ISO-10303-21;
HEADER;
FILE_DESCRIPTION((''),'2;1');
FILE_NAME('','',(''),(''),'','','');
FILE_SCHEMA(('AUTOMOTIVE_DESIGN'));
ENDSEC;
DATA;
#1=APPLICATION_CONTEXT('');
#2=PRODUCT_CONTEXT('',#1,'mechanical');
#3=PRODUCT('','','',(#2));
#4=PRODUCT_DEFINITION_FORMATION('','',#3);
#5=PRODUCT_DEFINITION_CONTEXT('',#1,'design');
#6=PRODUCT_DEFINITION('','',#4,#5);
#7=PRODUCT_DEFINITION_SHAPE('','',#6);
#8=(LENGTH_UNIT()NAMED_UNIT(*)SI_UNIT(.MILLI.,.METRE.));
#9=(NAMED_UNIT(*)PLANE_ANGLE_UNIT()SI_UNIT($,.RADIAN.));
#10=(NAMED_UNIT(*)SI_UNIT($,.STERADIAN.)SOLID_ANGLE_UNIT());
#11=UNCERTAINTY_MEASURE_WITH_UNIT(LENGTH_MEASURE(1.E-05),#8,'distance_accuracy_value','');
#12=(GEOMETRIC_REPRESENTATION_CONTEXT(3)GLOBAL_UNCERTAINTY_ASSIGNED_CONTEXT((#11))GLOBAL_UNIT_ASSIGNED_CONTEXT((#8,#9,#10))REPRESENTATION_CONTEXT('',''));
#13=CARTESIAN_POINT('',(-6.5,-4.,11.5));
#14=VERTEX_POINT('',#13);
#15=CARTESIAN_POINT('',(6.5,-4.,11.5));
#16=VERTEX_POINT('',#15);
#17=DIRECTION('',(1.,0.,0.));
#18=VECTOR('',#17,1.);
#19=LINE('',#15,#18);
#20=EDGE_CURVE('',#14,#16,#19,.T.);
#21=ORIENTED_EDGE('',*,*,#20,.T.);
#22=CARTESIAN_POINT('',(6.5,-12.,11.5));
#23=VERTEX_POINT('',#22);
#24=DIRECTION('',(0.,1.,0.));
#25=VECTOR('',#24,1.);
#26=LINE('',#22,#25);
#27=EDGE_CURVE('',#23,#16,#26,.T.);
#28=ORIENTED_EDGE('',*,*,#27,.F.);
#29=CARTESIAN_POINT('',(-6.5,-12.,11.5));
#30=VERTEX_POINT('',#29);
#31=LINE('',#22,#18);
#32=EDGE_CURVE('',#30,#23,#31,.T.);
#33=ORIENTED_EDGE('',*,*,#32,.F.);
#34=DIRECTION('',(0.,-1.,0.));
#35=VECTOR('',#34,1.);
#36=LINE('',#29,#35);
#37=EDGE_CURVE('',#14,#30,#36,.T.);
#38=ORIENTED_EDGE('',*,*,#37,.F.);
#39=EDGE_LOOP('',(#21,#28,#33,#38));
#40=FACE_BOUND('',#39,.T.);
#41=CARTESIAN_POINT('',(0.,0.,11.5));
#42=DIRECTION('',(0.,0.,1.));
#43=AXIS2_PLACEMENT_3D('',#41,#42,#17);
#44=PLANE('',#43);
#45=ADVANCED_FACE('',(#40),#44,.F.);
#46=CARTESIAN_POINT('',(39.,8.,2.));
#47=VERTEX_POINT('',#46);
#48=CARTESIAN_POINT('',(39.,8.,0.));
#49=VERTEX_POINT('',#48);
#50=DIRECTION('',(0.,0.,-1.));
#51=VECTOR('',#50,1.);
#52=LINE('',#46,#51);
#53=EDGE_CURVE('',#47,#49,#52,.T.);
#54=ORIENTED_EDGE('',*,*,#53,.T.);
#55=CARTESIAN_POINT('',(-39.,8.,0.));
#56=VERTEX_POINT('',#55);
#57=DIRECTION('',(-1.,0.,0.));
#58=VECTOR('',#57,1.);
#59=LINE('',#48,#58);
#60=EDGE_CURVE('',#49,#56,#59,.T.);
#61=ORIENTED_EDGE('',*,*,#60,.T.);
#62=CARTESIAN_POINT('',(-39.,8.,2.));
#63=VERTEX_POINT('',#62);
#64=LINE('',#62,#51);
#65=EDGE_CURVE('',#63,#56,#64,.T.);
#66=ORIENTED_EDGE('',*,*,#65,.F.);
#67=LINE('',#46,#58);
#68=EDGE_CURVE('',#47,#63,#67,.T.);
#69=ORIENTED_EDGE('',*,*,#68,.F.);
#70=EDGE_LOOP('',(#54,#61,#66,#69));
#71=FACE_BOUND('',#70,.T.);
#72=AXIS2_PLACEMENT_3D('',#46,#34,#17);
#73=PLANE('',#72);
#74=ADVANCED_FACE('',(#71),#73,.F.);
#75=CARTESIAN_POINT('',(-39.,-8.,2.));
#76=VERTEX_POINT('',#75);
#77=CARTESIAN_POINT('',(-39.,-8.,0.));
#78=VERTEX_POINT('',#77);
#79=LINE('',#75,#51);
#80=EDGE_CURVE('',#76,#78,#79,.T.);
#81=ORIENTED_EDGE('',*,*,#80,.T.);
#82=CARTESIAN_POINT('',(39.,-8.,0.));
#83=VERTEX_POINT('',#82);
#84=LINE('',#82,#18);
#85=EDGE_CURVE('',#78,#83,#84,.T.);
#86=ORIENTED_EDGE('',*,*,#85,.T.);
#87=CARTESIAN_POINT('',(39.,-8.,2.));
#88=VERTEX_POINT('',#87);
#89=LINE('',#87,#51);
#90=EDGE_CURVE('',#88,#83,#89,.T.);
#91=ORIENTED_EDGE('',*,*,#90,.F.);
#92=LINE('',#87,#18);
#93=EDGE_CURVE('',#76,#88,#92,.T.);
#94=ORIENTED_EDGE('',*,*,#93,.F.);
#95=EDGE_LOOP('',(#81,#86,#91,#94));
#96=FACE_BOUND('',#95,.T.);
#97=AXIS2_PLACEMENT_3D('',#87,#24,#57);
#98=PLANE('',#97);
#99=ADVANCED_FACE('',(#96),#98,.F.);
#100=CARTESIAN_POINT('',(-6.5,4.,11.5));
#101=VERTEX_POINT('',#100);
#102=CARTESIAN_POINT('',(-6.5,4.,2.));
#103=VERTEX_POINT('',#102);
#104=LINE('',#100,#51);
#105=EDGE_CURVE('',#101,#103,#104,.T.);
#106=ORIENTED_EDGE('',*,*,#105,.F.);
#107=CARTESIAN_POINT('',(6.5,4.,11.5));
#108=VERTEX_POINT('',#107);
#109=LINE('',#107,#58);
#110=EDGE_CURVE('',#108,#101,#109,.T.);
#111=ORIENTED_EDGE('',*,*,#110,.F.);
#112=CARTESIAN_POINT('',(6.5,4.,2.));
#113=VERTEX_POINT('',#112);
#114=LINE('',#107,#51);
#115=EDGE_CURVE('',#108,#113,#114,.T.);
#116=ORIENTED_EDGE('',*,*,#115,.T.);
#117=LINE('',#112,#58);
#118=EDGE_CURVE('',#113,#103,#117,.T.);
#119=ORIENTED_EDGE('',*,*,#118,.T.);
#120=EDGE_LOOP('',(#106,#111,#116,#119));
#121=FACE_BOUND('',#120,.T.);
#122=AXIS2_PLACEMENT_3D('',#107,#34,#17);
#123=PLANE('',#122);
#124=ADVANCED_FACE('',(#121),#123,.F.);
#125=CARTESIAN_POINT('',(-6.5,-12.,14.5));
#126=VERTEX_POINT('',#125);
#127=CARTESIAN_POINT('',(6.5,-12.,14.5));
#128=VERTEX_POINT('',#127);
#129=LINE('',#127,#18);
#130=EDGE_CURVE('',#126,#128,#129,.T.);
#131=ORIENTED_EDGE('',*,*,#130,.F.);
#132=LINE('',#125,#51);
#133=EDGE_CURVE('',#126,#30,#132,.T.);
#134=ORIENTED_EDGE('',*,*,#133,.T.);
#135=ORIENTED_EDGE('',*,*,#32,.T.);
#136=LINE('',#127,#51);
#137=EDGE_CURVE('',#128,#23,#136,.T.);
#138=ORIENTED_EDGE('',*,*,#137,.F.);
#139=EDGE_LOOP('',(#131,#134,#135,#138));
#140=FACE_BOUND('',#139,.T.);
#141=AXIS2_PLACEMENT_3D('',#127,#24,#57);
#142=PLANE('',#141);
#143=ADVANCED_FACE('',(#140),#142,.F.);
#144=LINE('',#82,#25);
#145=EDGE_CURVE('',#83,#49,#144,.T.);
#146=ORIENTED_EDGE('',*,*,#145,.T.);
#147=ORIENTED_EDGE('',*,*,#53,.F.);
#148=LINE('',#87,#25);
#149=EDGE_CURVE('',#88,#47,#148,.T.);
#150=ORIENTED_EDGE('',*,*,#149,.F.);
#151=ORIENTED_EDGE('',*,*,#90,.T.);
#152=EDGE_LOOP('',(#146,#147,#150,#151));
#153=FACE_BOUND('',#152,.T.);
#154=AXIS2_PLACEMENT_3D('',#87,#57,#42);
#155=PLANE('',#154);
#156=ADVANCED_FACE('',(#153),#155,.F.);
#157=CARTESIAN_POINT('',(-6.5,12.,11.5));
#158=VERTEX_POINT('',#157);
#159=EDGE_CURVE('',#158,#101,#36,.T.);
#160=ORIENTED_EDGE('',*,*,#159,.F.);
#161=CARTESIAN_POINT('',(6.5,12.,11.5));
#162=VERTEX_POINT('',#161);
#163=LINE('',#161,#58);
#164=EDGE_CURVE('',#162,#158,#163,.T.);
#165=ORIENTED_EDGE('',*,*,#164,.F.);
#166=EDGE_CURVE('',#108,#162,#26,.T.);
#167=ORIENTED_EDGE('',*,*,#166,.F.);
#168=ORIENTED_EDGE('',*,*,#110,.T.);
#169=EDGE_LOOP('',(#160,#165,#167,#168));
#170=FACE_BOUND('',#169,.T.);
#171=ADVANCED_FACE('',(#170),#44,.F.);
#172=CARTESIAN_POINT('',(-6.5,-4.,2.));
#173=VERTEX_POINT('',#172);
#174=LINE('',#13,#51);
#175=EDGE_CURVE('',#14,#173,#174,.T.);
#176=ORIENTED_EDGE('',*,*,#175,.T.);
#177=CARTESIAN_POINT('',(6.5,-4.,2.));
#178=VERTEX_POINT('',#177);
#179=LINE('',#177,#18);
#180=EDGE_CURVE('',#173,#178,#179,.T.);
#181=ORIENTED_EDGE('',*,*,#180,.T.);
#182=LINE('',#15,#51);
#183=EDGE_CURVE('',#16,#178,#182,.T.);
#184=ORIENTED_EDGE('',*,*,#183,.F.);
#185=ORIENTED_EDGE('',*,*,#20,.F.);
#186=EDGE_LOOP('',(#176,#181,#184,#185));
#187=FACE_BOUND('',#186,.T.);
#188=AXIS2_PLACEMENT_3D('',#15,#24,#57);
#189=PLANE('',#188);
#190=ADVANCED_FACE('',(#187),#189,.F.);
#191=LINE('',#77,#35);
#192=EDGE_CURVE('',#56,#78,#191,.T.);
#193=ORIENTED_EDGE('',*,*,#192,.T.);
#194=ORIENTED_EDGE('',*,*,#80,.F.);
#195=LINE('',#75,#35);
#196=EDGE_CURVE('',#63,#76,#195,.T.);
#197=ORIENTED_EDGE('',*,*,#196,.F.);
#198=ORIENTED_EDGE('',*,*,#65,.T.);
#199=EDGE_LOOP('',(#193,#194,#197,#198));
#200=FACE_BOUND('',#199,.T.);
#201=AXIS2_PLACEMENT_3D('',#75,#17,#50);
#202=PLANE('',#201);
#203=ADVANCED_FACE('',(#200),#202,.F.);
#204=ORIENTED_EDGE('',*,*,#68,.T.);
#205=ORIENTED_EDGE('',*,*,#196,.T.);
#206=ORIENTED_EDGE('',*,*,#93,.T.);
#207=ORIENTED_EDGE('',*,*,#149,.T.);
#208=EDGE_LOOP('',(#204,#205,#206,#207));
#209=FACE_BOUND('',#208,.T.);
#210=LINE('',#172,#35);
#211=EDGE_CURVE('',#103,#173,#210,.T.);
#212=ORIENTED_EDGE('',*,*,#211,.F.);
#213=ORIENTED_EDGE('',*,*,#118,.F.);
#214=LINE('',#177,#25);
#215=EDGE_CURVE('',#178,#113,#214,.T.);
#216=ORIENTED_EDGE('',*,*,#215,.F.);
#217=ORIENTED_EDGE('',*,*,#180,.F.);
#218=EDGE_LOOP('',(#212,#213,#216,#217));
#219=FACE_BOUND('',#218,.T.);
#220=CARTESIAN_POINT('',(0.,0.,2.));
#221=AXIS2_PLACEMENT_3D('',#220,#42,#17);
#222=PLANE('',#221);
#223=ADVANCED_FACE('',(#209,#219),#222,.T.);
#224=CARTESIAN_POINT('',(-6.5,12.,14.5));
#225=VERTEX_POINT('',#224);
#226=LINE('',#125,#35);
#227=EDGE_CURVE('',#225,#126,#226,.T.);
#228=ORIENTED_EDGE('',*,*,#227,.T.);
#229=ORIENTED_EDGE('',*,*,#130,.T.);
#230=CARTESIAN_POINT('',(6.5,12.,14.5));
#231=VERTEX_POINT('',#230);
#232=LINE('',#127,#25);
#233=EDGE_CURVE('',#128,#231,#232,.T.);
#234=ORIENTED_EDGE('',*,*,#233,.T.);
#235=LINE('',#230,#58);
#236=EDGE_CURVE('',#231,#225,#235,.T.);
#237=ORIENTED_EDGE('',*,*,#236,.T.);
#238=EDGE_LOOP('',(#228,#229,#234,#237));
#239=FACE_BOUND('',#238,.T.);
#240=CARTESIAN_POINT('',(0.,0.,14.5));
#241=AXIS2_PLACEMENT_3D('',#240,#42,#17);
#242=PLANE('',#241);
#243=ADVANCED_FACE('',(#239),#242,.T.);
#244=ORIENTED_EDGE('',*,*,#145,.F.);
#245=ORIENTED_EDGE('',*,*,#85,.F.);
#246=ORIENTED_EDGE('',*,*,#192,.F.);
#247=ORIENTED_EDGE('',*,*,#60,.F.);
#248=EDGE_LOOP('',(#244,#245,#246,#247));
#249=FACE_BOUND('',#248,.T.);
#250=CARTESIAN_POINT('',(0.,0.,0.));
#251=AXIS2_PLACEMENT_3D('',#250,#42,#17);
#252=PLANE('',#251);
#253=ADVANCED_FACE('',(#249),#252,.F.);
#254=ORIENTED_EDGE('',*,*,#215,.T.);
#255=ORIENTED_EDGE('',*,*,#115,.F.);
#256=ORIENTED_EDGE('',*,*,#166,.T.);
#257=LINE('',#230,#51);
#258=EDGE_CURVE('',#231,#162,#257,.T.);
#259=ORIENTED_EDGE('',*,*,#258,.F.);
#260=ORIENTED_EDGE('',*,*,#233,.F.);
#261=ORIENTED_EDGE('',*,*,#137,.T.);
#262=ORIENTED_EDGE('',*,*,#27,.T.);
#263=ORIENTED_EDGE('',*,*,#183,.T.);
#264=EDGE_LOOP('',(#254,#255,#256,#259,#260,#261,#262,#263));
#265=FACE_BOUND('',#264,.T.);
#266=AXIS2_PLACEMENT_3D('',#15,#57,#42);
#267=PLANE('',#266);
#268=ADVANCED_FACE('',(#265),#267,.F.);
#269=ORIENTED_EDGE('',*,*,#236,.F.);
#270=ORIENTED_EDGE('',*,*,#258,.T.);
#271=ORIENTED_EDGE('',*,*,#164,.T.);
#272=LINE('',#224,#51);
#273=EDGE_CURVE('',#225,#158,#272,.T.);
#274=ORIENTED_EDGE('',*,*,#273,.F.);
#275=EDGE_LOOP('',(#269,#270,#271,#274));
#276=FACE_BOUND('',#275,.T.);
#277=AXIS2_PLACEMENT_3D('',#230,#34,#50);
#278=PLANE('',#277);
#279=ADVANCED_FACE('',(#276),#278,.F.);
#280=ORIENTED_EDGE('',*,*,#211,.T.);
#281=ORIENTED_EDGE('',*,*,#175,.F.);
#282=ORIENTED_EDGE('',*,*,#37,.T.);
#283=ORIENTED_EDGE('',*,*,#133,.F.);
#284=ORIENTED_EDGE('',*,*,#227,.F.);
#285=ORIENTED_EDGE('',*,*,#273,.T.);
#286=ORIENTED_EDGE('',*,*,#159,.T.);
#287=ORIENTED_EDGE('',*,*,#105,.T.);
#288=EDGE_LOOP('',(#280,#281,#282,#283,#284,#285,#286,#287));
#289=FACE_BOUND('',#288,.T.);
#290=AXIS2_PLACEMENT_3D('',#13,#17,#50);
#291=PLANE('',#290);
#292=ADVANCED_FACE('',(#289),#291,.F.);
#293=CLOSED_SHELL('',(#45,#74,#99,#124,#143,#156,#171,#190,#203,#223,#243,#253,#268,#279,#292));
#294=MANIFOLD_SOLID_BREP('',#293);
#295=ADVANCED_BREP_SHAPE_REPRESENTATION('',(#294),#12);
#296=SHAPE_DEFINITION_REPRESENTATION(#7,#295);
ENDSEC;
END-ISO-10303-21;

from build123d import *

# Parameters (mm, degrees)
SKETCH1_W           = 78
SKETCH1_H           = 16
BOSS_EXTRUDE1_DEPTH = 2
SKETCH2_W           = 13
SKETCH2_H           = 8
BOSS_EXTRUDE2_DEPTH = 9.5
SKETCH3_W           = 13
SKETCH3_H           = 24
BOSS_EXTRUDE3_DEPTH = 3


with BuildPart() as part:
    # Sketch1 → Boss-Extrude1 (new body)
    with BuildSketch(Plane.XY):
        Rectangle(SKETCH1_W, SKETCH1_H)
    extrude(amount=BOSS_EXTRUDE1_DEPTH)

    # Sketch2 → Boss-Extrude2 (add)
    with BuildSketch(Plane.XY.offset(2)):
        Rectangle(SKETCH2_W, SKETCH2_H)
    extrude(amount=BOSS_EXTRUDE2_DEPTH)

    # Sketch3 → Boss-Extrude3 (add)
    with BuildSketch(Plane.XY.offset(11.5)):
        Rectangle(SKETCH3_W, SKETCH3_H)
    extrude(amount=BOSS_EXTRUDE3_DEPTH)


solid = part.part
